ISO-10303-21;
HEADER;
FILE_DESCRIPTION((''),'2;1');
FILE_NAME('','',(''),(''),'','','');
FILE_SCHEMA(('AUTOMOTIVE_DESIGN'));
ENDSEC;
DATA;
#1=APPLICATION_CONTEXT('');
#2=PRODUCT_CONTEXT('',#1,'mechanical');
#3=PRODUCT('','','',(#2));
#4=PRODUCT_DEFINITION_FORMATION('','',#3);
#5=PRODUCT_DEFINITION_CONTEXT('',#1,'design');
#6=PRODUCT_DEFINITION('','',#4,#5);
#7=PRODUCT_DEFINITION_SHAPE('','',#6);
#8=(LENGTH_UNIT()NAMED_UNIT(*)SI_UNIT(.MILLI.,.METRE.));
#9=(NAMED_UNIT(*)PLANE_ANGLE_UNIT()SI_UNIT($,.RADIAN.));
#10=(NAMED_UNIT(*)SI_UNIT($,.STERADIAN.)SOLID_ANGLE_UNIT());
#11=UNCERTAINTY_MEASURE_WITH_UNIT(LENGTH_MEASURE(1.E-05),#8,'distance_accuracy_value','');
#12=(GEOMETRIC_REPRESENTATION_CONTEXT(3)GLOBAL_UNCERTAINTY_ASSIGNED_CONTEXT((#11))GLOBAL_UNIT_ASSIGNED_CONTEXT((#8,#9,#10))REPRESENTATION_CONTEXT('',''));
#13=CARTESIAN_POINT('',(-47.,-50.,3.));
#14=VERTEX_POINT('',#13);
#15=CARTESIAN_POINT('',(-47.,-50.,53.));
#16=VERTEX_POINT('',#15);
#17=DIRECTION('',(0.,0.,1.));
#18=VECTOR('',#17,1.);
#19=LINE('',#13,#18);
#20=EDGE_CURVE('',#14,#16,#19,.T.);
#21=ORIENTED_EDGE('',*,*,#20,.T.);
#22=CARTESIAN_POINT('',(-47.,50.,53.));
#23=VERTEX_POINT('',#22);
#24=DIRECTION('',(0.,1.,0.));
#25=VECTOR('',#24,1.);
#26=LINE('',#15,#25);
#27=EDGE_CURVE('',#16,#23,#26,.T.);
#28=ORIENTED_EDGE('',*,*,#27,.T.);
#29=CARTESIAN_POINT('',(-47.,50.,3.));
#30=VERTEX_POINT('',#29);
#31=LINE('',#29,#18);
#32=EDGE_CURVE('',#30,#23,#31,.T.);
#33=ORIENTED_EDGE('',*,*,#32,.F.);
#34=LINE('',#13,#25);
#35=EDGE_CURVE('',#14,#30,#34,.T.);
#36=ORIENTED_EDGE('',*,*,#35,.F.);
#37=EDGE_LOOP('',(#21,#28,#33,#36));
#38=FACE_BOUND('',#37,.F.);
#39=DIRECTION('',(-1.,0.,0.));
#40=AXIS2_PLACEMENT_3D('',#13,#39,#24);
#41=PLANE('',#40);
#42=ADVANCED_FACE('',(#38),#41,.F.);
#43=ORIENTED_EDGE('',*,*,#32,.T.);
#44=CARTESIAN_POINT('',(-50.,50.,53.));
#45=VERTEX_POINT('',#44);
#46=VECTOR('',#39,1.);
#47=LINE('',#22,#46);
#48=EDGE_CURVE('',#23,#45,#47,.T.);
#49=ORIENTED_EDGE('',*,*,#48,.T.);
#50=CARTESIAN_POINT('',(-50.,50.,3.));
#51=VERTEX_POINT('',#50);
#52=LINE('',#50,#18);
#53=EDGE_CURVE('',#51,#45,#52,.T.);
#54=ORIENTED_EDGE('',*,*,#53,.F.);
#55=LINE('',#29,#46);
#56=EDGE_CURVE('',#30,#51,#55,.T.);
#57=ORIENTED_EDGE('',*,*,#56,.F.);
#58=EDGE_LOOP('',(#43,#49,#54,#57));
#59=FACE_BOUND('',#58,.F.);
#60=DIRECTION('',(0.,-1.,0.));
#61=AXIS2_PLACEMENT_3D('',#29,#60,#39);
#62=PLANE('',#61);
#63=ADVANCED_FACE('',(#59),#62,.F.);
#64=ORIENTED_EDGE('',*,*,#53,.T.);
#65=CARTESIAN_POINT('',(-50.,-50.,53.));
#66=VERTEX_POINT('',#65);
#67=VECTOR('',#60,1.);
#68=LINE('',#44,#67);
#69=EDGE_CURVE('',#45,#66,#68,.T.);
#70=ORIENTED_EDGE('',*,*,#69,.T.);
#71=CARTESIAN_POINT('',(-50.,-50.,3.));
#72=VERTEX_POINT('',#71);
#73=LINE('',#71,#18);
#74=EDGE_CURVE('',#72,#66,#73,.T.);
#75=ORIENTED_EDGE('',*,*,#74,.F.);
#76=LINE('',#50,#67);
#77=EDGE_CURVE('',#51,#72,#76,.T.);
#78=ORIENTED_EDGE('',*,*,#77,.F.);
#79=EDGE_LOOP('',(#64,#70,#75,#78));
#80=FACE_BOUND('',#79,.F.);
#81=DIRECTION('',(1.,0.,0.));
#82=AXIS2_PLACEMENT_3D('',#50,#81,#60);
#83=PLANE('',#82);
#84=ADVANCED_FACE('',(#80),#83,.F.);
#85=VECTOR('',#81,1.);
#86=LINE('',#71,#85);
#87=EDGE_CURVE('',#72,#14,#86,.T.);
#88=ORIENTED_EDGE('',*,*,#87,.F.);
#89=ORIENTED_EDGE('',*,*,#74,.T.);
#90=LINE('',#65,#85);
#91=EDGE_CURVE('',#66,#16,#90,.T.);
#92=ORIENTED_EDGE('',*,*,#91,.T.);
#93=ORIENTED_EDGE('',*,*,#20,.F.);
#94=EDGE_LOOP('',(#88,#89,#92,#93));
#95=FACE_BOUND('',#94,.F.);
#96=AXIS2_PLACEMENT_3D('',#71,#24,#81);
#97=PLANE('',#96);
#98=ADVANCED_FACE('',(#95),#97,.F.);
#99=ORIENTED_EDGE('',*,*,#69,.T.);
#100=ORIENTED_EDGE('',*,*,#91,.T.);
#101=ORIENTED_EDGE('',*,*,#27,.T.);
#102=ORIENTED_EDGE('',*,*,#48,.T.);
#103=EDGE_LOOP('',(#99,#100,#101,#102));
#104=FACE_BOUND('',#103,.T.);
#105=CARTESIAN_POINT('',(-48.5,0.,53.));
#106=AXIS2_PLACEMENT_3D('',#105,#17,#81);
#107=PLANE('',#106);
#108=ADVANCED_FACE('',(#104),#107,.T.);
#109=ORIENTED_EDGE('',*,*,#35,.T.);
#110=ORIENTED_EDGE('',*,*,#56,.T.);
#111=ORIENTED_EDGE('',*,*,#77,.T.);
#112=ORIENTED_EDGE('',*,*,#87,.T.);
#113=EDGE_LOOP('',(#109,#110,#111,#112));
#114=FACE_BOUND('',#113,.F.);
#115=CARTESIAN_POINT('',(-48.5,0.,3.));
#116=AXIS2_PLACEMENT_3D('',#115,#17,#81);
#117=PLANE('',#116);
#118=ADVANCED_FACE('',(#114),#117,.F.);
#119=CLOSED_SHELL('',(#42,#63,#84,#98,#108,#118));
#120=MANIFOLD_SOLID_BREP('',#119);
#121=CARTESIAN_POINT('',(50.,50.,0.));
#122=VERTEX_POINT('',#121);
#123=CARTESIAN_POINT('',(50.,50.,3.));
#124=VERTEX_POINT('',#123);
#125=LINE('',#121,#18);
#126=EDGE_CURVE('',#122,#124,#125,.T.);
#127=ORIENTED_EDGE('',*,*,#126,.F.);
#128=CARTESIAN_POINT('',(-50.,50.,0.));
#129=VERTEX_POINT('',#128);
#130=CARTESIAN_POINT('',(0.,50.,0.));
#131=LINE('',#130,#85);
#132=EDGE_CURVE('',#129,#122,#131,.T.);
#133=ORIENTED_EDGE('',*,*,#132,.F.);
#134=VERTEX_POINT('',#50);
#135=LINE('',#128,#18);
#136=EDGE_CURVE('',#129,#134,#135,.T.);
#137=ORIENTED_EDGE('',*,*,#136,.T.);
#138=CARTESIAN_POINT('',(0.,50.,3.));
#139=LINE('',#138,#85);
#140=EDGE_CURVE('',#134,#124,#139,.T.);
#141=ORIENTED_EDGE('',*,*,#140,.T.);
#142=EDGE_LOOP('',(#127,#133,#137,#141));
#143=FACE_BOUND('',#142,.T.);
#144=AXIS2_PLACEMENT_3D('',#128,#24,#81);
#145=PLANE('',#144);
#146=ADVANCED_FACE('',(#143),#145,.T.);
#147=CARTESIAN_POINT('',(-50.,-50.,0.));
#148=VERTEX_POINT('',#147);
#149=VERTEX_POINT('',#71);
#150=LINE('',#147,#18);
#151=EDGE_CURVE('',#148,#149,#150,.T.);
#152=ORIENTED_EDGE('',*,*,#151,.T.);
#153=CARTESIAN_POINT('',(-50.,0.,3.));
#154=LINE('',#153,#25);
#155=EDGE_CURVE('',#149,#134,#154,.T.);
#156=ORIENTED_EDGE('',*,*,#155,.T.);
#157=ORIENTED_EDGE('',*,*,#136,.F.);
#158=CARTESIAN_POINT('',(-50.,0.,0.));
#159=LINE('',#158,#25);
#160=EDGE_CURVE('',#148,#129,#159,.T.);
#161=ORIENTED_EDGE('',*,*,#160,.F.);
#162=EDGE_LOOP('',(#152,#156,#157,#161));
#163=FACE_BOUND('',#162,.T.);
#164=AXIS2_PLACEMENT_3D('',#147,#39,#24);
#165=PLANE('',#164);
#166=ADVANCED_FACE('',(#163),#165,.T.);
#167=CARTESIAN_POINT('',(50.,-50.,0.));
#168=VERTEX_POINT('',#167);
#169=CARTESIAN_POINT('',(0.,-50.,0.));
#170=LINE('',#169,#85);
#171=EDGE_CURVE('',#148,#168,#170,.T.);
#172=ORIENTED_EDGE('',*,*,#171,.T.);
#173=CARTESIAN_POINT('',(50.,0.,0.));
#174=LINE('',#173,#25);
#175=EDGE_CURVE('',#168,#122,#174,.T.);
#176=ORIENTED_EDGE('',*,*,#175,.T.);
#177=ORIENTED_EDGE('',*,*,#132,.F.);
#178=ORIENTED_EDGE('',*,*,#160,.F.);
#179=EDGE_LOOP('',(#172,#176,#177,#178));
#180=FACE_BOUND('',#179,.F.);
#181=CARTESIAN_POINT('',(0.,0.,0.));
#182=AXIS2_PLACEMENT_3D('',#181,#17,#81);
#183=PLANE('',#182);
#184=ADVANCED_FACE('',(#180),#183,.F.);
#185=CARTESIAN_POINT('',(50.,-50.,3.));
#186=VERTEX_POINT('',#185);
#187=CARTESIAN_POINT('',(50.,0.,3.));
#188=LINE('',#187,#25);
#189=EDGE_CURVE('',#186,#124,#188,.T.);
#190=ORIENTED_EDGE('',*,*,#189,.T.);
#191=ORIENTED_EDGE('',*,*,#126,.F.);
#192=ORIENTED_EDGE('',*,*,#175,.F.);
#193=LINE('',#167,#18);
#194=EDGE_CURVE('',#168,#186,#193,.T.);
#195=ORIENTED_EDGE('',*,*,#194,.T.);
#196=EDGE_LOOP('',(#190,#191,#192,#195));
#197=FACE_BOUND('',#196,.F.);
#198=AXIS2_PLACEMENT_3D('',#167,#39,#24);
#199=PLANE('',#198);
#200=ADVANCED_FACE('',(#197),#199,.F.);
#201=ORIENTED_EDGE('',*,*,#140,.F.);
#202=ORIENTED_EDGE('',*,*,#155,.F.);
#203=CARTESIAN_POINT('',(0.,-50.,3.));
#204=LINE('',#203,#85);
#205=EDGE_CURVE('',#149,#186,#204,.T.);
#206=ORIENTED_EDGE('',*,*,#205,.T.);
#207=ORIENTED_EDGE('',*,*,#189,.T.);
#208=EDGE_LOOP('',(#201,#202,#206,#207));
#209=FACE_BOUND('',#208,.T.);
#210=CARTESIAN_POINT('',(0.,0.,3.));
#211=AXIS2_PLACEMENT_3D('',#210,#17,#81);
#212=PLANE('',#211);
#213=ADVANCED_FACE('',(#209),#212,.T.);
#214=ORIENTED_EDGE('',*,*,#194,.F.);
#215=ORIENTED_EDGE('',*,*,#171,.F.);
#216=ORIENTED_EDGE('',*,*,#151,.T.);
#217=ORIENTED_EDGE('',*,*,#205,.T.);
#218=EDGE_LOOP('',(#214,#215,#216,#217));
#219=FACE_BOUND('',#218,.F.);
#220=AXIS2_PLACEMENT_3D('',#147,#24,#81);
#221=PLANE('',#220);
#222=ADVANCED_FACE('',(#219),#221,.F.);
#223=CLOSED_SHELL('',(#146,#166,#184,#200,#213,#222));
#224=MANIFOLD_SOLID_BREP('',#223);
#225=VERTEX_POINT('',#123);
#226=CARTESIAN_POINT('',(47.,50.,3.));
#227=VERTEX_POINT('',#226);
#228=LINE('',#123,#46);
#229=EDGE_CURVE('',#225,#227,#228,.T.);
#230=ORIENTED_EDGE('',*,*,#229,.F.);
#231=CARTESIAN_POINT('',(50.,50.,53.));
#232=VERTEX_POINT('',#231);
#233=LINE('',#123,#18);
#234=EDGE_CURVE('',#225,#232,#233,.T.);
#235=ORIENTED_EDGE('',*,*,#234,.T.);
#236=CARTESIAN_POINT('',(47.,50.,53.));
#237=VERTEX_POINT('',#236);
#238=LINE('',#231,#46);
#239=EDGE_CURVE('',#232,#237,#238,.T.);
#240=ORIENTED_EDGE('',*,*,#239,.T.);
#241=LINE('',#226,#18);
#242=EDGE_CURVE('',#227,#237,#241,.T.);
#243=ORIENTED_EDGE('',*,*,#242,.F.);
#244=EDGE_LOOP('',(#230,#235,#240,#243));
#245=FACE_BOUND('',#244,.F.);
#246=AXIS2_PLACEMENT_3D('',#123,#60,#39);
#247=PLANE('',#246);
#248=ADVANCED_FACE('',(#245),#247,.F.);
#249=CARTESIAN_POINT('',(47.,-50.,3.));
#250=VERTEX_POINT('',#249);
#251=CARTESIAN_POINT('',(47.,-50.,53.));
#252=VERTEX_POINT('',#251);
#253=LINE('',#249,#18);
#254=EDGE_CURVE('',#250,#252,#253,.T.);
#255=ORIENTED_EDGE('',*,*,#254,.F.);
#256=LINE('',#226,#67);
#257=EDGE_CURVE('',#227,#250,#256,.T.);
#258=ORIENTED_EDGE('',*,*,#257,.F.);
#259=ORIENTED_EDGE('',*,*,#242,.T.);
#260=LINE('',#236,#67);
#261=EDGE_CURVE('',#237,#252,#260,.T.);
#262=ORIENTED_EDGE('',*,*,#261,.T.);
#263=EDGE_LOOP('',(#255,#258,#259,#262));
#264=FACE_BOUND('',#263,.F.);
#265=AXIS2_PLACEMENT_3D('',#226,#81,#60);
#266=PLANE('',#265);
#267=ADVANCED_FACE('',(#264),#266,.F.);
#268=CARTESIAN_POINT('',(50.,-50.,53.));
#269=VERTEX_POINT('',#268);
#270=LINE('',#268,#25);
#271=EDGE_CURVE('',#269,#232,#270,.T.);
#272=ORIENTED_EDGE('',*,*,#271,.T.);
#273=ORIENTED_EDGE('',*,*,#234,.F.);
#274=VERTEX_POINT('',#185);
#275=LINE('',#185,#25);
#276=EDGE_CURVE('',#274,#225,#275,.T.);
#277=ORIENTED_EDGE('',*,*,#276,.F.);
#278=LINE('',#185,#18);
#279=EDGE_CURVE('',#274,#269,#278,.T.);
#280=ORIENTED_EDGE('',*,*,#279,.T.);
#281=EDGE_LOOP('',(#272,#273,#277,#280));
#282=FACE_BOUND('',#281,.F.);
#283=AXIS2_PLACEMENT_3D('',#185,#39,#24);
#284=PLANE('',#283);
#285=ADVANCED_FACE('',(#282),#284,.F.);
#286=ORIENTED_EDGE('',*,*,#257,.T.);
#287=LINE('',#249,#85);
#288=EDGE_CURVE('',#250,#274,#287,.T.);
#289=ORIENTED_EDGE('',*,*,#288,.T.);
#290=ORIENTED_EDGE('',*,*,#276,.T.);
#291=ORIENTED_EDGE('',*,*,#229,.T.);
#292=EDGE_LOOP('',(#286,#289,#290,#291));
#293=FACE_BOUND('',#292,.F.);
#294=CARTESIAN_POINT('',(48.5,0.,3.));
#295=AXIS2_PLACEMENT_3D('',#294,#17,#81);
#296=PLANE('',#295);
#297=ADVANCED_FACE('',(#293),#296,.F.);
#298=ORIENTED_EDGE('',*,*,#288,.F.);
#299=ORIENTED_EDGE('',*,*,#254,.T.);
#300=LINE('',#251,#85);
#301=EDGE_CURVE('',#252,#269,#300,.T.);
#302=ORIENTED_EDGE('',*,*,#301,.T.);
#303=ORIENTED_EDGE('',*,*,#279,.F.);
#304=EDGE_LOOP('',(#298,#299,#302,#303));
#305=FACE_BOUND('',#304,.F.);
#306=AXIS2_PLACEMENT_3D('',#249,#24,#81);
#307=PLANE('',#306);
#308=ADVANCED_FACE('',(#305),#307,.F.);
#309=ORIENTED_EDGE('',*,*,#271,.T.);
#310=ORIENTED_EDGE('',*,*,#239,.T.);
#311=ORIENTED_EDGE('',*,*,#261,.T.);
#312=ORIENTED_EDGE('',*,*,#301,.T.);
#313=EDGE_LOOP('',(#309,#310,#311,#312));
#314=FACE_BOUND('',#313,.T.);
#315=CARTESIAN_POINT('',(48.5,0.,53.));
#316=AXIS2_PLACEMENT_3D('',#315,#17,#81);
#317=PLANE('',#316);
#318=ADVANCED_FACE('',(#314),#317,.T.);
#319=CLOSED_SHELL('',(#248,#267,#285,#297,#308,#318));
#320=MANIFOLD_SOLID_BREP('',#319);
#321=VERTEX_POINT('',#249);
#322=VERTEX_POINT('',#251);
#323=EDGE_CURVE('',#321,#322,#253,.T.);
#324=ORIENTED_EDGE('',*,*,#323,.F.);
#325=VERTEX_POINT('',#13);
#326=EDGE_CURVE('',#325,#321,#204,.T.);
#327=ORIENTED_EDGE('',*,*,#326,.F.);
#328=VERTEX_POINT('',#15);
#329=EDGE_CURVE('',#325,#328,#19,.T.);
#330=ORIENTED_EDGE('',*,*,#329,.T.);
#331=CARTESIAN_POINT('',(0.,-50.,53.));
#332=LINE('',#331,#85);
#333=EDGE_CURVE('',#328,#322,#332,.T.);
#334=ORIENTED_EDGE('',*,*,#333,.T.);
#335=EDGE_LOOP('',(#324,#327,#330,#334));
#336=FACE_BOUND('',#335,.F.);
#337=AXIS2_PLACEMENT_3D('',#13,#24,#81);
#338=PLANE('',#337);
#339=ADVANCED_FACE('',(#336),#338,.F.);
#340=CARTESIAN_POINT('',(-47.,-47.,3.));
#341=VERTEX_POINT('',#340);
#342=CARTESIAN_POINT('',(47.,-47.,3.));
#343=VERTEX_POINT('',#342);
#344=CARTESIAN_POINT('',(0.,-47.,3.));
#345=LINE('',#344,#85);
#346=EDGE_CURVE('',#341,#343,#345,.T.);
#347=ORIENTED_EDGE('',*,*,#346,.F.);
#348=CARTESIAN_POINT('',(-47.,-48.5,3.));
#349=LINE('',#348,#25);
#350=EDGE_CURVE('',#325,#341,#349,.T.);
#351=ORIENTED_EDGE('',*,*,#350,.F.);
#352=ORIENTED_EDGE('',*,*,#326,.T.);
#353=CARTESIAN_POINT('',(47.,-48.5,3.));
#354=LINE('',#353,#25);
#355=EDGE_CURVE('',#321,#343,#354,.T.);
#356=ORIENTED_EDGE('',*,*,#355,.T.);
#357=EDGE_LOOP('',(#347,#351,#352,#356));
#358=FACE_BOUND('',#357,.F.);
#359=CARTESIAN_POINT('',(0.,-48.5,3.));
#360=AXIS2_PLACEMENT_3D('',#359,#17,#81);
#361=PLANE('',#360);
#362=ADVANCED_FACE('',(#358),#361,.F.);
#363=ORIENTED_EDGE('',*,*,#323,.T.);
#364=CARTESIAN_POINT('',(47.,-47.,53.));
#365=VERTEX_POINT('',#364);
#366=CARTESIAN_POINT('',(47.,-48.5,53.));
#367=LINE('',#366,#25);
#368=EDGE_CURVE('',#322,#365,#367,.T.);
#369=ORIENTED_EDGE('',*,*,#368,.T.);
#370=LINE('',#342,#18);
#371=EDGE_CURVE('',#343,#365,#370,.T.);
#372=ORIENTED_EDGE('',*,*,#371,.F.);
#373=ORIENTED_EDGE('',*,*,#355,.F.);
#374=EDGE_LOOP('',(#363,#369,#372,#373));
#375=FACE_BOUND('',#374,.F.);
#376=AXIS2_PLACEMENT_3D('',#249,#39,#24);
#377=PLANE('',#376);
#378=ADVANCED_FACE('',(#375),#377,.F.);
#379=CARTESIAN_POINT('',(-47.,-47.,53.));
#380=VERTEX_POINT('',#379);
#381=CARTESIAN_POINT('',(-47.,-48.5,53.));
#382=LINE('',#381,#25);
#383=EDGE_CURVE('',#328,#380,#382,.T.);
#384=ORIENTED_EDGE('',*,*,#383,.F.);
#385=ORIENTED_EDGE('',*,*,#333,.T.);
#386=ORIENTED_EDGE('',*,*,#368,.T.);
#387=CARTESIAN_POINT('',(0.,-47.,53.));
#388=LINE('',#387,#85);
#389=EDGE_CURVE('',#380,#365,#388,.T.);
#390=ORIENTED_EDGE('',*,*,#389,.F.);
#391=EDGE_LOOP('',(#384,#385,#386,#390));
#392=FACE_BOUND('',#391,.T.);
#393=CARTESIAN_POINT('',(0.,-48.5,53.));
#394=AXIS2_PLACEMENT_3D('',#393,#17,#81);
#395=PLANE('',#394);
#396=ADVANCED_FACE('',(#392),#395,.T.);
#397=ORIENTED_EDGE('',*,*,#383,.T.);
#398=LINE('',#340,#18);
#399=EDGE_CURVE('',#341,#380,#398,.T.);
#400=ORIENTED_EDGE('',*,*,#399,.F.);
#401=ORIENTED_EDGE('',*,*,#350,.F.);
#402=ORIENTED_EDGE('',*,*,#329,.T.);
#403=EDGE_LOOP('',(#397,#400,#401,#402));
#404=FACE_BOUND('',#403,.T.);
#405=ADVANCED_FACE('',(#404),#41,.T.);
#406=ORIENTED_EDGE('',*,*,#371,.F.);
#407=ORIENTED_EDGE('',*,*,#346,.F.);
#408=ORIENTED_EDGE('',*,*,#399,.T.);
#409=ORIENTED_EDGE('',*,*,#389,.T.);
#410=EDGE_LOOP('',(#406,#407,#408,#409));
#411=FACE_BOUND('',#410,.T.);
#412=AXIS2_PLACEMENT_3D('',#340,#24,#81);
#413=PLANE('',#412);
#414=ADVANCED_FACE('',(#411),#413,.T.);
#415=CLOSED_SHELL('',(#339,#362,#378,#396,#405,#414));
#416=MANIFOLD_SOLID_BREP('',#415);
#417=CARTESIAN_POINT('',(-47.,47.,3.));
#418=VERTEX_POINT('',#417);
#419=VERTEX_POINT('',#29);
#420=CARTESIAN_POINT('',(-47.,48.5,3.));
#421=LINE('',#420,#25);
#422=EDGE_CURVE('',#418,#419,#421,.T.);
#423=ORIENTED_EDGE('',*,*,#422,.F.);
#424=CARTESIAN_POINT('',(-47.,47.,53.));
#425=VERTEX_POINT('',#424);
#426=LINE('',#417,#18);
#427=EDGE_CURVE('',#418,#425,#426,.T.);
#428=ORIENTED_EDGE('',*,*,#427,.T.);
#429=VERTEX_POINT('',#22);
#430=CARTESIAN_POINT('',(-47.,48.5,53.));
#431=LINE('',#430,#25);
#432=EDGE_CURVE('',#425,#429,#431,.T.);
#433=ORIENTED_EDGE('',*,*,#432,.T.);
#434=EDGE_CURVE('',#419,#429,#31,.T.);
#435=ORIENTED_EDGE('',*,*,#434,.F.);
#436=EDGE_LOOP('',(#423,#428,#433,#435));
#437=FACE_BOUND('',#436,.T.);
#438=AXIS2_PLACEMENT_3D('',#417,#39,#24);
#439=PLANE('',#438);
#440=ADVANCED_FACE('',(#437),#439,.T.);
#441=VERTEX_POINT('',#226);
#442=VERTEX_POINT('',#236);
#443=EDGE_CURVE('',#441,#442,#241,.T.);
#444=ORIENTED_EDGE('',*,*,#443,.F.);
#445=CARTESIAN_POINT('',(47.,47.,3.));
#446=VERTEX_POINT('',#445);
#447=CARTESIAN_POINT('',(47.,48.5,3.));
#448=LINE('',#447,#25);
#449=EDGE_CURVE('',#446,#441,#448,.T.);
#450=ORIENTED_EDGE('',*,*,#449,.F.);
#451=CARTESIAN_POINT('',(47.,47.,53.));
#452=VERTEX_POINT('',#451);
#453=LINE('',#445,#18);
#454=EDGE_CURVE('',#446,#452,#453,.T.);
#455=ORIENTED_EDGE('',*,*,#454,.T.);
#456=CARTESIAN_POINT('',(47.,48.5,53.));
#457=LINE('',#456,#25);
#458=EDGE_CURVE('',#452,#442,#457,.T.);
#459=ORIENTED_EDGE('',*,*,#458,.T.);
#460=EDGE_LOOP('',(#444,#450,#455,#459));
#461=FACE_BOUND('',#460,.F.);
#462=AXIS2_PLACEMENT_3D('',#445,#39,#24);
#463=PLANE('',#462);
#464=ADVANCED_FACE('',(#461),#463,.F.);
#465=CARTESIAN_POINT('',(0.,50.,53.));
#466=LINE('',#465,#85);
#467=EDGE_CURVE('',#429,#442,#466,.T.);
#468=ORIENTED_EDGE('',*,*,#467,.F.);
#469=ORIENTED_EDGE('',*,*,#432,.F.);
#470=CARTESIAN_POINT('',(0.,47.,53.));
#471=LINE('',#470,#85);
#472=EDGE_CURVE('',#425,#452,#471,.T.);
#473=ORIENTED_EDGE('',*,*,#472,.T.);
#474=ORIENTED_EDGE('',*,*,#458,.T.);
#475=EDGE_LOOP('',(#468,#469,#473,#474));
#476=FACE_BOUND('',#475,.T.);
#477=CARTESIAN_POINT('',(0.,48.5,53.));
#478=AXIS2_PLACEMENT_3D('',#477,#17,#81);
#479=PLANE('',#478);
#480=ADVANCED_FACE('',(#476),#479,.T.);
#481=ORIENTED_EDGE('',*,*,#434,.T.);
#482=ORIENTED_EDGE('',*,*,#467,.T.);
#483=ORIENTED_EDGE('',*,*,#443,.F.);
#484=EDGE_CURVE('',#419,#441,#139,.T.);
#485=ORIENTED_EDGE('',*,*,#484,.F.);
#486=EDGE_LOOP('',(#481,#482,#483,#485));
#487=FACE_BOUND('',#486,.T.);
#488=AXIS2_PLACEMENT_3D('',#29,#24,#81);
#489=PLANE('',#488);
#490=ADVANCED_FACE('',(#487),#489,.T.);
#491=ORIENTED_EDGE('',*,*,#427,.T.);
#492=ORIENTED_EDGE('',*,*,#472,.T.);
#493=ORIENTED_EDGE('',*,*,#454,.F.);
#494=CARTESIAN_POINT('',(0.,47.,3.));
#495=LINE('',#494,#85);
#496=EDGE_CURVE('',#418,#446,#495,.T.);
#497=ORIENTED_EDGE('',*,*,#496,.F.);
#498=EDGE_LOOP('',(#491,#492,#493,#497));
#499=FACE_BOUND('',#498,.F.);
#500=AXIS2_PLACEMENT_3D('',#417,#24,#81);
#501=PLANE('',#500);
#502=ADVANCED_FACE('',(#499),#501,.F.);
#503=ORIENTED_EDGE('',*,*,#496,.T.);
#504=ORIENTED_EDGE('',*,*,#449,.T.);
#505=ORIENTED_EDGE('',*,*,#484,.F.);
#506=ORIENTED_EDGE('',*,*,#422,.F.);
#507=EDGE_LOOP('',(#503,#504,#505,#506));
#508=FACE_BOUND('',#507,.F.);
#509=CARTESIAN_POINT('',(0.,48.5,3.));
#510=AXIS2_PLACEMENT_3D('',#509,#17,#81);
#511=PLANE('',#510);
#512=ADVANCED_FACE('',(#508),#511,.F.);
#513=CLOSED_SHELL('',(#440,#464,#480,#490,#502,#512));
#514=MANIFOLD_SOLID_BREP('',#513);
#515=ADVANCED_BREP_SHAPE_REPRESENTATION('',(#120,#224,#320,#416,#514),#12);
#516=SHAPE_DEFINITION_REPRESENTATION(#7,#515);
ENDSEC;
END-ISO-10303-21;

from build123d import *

# Parameters (mm, degrees)
F0_W     = 100
F0_H     = 100
F1_DEPTH = 3
F2_W     = 94
F2_H     = 3
F3_DEPTH = 50
F4_DEPTH = 50


with BuildPart() as f1:
    # F0 (on Top) → F1 (new body)
    with BuildSketch(Plane.XY):
        Rectangle(F0_W, F0_H)
    extrude(amount=F1_DEPTH)


with BuildPart() as f3:
    # F2 (on face) → F3 (new body)
    with BuildSketch(Plane.XY.offset(3)):
        with Locations((0, 48.5)):
            Rectangle(F2_W, F2_H)
        with Locations((0, -48.5)):
            Rectangle(F2_W, F2_H)
    extrude(amount=F3_DEPTH)


with BuildPart() as f4:
    # F2 (on face) → F4 (new body)
    with BuildSketch(Plane.XY.offset(3)):
        Polygon((-47, -50), (-47, -47), (-47, 47), (-47, 50), (-50, 50), (-50, -50), align=None)
        Polygon((47, 47), (47, -47), (47, -50), (50, -50), (50, 50), (47, 50), align=None)
    extrude(amount=F4_DEPTH)


solid = Compound([f1.part, f3.part, f4.part])
